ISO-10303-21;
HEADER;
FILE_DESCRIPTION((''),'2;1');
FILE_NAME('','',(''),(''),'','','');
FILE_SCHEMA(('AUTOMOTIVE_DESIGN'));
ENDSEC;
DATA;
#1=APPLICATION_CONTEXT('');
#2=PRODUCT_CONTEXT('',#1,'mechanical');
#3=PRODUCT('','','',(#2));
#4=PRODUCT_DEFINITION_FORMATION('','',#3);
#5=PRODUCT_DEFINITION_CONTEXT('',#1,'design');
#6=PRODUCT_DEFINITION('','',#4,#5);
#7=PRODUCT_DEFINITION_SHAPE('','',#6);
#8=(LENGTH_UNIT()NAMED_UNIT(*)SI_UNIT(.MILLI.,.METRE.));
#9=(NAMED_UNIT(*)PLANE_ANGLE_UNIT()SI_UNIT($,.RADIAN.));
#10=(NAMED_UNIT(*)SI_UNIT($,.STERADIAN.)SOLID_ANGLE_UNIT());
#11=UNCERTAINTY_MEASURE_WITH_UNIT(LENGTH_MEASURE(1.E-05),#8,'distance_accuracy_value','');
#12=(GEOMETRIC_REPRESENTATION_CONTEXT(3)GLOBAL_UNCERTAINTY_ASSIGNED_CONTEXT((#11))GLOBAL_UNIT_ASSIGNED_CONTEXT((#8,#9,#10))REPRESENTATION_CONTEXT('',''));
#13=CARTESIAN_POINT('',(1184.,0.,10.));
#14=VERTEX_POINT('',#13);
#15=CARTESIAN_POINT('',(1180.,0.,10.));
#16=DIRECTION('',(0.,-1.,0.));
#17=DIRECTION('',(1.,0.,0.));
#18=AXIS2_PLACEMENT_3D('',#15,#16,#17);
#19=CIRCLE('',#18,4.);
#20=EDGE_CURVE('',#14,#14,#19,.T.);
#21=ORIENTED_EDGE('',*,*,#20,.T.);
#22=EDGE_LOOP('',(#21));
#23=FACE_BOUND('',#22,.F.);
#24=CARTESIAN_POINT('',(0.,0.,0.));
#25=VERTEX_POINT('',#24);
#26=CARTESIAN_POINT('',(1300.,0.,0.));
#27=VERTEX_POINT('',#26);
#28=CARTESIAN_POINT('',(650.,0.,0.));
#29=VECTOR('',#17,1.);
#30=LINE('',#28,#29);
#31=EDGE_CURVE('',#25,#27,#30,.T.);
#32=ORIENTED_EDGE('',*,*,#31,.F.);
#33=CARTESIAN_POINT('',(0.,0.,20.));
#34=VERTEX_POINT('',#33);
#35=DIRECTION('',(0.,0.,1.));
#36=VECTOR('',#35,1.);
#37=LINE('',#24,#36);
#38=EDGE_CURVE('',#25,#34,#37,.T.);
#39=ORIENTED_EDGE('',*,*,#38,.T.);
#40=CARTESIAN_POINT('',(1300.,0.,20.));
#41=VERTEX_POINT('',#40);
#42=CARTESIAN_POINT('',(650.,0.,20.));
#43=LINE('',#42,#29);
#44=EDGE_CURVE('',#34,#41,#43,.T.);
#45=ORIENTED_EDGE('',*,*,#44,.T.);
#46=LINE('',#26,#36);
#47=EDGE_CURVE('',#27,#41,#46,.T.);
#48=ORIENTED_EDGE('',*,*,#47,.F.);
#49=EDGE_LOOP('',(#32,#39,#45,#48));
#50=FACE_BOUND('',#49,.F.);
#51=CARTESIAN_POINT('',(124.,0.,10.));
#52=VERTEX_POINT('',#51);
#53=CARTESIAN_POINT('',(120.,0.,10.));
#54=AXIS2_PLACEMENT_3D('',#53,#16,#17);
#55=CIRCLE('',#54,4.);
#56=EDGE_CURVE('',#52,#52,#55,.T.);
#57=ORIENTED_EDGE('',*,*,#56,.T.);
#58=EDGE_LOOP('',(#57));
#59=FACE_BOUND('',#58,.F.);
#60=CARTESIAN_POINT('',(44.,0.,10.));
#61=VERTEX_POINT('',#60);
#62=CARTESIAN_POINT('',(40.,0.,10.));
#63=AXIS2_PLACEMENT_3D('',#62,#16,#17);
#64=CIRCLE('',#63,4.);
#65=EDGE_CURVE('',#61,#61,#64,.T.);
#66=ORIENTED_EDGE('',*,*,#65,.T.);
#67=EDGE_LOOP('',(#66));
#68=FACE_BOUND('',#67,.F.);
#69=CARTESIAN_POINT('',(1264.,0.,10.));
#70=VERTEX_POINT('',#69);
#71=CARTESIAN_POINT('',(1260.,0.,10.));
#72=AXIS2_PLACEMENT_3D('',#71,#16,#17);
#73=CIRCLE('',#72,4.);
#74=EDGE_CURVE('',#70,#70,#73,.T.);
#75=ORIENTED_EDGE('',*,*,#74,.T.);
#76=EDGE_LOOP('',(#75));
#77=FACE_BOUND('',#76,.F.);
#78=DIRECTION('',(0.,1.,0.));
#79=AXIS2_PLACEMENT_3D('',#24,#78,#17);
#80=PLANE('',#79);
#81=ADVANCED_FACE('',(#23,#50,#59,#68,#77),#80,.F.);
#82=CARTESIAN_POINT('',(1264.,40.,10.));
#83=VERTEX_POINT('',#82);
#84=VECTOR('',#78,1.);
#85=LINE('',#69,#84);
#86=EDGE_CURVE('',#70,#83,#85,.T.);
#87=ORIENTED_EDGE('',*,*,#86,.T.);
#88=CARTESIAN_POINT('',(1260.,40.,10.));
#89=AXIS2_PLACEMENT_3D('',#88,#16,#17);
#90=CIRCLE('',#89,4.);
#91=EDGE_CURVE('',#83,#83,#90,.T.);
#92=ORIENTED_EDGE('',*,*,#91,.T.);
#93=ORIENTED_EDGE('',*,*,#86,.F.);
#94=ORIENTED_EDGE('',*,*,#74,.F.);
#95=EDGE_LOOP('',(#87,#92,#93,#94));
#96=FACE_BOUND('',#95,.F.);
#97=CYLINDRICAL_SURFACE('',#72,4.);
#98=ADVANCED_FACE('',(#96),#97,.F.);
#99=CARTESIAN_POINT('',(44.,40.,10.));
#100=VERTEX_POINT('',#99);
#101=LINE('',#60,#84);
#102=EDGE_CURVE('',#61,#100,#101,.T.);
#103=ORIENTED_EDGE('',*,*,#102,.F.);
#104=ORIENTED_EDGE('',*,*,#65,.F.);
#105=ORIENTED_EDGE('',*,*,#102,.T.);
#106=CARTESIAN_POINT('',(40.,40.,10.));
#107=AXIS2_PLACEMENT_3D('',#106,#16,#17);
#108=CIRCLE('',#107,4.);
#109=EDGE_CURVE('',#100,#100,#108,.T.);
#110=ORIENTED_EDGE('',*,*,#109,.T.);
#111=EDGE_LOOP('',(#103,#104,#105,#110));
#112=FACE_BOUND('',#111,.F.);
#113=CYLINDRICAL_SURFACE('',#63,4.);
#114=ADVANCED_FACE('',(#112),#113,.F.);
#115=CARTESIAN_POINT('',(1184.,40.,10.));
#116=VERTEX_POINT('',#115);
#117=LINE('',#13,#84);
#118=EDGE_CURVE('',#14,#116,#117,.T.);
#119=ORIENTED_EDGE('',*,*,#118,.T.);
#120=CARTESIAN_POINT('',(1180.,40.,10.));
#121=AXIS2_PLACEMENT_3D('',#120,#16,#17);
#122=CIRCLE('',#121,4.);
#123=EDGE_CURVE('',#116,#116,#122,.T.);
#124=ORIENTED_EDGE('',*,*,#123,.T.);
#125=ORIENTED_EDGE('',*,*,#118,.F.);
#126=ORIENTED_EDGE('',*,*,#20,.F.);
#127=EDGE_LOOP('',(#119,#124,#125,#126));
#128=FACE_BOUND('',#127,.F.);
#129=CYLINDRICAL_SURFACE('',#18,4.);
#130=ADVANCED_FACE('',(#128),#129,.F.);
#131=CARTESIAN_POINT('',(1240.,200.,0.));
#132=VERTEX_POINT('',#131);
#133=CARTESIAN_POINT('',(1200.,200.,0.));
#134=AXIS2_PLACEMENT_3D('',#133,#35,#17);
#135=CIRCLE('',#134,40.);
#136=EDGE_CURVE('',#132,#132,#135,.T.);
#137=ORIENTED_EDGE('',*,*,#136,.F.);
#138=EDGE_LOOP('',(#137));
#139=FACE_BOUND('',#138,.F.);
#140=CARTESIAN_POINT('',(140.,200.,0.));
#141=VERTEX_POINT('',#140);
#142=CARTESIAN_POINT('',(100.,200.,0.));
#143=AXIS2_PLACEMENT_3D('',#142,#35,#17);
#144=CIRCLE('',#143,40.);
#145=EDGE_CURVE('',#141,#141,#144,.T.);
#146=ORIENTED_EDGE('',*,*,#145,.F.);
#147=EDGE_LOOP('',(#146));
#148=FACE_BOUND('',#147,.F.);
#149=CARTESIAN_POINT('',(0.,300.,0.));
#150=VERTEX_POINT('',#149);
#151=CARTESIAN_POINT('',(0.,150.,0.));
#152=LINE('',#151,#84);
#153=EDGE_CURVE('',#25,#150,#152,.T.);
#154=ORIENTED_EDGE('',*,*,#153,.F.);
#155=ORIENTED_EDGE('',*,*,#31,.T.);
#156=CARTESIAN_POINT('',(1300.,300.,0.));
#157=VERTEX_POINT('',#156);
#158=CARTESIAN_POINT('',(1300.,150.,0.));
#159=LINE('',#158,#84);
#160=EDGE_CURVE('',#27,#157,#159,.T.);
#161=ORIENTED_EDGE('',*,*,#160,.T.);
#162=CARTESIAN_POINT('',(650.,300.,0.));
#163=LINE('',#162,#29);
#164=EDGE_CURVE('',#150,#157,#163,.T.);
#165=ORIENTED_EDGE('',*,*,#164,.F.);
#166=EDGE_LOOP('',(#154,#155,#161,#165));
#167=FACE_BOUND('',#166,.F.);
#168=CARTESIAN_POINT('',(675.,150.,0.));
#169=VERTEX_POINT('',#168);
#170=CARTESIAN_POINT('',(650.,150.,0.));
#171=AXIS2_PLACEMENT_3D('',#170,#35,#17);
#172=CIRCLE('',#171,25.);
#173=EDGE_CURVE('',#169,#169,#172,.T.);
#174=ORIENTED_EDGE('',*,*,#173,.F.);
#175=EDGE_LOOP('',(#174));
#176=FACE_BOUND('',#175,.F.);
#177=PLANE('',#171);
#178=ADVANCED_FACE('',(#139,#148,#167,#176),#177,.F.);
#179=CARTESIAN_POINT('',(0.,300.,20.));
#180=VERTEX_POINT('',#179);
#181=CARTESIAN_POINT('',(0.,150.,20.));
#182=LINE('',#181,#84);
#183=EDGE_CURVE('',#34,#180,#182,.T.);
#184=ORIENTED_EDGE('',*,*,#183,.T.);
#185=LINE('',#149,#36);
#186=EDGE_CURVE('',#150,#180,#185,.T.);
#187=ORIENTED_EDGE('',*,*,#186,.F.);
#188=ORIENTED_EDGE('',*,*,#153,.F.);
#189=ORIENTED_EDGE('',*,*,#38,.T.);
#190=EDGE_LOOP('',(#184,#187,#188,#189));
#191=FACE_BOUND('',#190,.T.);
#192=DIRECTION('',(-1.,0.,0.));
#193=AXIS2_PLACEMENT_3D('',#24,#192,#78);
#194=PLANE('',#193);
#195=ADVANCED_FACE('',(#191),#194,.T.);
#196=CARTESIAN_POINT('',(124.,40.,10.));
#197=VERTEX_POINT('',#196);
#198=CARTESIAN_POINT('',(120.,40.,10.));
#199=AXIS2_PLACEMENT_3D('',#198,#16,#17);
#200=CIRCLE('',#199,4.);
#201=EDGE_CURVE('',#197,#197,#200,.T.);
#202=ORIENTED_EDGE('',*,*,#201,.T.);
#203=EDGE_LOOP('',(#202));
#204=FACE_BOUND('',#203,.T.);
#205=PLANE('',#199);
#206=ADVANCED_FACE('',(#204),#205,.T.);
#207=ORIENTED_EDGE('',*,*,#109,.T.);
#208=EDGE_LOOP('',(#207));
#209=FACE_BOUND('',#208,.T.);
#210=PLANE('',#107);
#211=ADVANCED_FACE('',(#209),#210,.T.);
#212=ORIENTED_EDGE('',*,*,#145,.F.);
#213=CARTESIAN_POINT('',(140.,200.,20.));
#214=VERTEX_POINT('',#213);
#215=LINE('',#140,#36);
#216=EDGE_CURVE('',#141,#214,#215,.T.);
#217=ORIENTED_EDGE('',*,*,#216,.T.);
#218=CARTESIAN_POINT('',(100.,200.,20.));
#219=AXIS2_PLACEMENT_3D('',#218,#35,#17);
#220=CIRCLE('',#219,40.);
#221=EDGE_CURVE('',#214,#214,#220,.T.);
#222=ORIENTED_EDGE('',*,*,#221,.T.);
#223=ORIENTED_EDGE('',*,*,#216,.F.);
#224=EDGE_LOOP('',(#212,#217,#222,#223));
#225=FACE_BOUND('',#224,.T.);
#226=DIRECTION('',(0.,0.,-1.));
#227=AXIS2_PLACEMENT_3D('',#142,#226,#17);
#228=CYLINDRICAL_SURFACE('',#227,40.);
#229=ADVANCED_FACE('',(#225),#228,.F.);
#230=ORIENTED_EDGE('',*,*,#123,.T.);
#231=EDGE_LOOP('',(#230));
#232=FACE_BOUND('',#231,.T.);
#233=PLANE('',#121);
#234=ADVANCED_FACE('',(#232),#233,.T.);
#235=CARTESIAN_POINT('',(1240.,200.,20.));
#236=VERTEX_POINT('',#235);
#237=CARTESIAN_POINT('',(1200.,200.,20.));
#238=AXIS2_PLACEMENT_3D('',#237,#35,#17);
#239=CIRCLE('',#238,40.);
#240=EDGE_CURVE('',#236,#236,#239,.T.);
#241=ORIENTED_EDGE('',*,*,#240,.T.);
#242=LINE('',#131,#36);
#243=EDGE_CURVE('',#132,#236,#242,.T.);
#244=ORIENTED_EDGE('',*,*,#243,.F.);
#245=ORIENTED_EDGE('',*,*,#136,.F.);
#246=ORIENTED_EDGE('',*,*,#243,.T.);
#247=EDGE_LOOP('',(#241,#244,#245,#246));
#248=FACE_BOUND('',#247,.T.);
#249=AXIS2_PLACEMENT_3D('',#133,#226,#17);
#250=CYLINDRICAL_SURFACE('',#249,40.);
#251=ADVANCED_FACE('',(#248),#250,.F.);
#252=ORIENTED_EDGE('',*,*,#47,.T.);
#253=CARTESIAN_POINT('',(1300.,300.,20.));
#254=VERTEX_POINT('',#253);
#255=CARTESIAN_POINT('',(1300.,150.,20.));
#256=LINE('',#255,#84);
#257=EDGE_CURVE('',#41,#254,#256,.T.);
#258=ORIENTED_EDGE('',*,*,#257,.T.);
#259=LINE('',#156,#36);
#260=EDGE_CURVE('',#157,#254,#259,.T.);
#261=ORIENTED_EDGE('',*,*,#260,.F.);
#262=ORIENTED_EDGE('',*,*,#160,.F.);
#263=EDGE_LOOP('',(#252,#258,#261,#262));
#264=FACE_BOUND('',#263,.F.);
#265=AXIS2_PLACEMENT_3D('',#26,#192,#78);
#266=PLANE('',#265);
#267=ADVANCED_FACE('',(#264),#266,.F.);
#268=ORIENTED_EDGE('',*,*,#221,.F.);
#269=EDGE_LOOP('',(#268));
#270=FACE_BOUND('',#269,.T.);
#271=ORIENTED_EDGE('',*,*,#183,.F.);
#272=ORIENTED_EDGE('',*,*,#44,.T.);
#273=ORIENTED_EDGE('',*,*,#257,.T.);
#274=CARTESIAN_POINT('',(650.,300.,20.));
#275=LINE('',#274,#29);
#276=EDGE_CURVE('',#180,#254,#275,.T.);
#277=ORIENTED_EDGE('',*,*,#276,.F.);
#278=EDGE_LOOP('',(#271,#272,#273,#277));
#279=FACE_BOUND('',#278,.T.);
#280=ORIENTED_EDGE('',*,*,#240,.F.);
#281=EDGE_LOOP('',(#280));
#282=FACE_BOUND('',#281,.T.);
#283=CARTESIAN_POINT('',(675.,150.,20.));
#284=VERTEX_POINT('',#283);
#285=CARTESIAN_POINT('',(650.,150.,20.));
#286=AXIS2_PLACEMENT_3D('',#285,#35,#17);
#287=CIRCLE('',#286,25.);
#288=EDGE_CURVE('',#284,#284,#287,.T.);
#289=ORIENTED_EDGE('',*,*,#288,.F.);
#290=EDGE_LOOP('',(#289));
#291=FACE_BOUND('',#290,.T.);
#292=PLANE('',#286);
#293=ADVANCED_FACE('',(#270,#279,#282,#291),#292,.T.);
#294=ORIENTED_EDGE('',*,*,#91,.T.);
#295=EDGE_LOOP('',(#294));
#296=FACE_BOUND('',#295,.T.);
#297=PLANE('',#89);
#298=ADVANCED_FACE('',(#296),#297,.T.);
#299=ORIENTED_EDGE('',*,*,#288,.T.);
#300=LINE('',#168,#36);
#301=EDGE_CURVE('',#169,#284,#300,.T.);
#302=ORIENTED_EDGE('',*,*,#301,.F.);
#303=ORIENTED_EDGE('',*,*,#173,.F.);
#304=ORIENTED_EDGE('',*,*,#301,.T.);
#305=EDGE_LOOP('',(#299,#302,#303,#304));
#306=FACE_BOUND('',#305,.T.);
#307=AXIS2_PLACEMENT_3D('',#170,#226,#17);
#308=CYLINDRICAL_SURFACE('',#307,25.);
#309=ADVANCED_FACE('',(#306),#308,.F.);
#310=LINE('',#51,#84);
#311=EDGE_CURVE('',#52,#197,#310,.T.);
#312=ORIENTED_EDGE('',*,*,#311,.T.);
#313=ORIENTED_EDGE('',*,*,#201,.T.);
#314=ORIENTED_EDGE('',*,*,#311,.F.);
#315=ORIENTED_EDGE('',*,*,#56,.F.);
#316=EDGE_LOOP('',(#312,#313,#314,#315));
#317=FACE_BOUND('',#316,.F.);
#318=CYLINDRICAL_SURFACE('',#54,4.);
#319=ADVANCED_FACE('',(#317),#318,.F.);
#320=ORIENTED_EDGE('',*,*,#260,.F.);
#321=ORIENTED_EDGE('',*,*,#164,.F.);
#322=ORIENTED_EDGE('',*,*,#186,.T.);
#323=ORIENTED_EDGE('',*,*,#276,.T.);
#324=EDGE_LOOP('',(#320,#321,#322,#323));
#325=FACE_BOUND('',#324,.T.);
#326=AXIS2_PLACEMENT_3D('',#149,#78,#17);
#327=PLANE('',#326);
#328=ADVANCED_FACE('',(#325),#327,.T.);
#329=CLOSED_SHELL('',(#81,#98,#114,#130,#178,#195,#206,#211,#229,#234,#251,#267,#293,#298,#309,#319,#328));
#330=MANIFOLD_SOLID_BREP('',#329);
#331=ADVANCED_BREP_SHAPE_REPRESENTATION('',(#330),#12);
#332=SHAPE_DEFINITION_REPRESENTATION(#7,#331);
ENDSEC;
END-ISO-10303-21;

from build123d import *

# Parameters (mm, degrees)
F0_W     = 1300
F0_H     = 300
F0_R     = 40
F0_R_2   = 25
F1_DEPTH = 20
F2_R     = 4
F3_DEPTH = 40


with BuildPart() as f1:
    # F0 (on Top) → F1 (new body)
    with BuildSketch(Plane.XY):
        with Locations((650, 150)):
            Rectangle(F0_W, F0_H)
        with Locations((100, 200)):
            Circle(F0_R, mode=Mode.SUBTRACT)
        with Locations((650, 150)):
            Circle(F0_R_2, mode=Mode.SUBTRACT)
        with Locations((1200, 200)):
            Circle(F0_R, mode=Mode.SUBTRACT)
    extrude(amount=F1_DEPTH)

    # F2 (on face) → F3 (cut)
    with BuildSketch(Plane.XZ):
        with Locations((40, 10)):
            Circle(F2_R)
        with Locations((120, 10)):
            Circle(F2_R)
        with Locations((1260, 10)):
            Circle(F2_R)
        with Locations((1180, 10)):
            Circle(F2_R)
    extrude(amount=-F3_DEPTH, mode=Mode.SUBTRACT)


solid = f1.part
